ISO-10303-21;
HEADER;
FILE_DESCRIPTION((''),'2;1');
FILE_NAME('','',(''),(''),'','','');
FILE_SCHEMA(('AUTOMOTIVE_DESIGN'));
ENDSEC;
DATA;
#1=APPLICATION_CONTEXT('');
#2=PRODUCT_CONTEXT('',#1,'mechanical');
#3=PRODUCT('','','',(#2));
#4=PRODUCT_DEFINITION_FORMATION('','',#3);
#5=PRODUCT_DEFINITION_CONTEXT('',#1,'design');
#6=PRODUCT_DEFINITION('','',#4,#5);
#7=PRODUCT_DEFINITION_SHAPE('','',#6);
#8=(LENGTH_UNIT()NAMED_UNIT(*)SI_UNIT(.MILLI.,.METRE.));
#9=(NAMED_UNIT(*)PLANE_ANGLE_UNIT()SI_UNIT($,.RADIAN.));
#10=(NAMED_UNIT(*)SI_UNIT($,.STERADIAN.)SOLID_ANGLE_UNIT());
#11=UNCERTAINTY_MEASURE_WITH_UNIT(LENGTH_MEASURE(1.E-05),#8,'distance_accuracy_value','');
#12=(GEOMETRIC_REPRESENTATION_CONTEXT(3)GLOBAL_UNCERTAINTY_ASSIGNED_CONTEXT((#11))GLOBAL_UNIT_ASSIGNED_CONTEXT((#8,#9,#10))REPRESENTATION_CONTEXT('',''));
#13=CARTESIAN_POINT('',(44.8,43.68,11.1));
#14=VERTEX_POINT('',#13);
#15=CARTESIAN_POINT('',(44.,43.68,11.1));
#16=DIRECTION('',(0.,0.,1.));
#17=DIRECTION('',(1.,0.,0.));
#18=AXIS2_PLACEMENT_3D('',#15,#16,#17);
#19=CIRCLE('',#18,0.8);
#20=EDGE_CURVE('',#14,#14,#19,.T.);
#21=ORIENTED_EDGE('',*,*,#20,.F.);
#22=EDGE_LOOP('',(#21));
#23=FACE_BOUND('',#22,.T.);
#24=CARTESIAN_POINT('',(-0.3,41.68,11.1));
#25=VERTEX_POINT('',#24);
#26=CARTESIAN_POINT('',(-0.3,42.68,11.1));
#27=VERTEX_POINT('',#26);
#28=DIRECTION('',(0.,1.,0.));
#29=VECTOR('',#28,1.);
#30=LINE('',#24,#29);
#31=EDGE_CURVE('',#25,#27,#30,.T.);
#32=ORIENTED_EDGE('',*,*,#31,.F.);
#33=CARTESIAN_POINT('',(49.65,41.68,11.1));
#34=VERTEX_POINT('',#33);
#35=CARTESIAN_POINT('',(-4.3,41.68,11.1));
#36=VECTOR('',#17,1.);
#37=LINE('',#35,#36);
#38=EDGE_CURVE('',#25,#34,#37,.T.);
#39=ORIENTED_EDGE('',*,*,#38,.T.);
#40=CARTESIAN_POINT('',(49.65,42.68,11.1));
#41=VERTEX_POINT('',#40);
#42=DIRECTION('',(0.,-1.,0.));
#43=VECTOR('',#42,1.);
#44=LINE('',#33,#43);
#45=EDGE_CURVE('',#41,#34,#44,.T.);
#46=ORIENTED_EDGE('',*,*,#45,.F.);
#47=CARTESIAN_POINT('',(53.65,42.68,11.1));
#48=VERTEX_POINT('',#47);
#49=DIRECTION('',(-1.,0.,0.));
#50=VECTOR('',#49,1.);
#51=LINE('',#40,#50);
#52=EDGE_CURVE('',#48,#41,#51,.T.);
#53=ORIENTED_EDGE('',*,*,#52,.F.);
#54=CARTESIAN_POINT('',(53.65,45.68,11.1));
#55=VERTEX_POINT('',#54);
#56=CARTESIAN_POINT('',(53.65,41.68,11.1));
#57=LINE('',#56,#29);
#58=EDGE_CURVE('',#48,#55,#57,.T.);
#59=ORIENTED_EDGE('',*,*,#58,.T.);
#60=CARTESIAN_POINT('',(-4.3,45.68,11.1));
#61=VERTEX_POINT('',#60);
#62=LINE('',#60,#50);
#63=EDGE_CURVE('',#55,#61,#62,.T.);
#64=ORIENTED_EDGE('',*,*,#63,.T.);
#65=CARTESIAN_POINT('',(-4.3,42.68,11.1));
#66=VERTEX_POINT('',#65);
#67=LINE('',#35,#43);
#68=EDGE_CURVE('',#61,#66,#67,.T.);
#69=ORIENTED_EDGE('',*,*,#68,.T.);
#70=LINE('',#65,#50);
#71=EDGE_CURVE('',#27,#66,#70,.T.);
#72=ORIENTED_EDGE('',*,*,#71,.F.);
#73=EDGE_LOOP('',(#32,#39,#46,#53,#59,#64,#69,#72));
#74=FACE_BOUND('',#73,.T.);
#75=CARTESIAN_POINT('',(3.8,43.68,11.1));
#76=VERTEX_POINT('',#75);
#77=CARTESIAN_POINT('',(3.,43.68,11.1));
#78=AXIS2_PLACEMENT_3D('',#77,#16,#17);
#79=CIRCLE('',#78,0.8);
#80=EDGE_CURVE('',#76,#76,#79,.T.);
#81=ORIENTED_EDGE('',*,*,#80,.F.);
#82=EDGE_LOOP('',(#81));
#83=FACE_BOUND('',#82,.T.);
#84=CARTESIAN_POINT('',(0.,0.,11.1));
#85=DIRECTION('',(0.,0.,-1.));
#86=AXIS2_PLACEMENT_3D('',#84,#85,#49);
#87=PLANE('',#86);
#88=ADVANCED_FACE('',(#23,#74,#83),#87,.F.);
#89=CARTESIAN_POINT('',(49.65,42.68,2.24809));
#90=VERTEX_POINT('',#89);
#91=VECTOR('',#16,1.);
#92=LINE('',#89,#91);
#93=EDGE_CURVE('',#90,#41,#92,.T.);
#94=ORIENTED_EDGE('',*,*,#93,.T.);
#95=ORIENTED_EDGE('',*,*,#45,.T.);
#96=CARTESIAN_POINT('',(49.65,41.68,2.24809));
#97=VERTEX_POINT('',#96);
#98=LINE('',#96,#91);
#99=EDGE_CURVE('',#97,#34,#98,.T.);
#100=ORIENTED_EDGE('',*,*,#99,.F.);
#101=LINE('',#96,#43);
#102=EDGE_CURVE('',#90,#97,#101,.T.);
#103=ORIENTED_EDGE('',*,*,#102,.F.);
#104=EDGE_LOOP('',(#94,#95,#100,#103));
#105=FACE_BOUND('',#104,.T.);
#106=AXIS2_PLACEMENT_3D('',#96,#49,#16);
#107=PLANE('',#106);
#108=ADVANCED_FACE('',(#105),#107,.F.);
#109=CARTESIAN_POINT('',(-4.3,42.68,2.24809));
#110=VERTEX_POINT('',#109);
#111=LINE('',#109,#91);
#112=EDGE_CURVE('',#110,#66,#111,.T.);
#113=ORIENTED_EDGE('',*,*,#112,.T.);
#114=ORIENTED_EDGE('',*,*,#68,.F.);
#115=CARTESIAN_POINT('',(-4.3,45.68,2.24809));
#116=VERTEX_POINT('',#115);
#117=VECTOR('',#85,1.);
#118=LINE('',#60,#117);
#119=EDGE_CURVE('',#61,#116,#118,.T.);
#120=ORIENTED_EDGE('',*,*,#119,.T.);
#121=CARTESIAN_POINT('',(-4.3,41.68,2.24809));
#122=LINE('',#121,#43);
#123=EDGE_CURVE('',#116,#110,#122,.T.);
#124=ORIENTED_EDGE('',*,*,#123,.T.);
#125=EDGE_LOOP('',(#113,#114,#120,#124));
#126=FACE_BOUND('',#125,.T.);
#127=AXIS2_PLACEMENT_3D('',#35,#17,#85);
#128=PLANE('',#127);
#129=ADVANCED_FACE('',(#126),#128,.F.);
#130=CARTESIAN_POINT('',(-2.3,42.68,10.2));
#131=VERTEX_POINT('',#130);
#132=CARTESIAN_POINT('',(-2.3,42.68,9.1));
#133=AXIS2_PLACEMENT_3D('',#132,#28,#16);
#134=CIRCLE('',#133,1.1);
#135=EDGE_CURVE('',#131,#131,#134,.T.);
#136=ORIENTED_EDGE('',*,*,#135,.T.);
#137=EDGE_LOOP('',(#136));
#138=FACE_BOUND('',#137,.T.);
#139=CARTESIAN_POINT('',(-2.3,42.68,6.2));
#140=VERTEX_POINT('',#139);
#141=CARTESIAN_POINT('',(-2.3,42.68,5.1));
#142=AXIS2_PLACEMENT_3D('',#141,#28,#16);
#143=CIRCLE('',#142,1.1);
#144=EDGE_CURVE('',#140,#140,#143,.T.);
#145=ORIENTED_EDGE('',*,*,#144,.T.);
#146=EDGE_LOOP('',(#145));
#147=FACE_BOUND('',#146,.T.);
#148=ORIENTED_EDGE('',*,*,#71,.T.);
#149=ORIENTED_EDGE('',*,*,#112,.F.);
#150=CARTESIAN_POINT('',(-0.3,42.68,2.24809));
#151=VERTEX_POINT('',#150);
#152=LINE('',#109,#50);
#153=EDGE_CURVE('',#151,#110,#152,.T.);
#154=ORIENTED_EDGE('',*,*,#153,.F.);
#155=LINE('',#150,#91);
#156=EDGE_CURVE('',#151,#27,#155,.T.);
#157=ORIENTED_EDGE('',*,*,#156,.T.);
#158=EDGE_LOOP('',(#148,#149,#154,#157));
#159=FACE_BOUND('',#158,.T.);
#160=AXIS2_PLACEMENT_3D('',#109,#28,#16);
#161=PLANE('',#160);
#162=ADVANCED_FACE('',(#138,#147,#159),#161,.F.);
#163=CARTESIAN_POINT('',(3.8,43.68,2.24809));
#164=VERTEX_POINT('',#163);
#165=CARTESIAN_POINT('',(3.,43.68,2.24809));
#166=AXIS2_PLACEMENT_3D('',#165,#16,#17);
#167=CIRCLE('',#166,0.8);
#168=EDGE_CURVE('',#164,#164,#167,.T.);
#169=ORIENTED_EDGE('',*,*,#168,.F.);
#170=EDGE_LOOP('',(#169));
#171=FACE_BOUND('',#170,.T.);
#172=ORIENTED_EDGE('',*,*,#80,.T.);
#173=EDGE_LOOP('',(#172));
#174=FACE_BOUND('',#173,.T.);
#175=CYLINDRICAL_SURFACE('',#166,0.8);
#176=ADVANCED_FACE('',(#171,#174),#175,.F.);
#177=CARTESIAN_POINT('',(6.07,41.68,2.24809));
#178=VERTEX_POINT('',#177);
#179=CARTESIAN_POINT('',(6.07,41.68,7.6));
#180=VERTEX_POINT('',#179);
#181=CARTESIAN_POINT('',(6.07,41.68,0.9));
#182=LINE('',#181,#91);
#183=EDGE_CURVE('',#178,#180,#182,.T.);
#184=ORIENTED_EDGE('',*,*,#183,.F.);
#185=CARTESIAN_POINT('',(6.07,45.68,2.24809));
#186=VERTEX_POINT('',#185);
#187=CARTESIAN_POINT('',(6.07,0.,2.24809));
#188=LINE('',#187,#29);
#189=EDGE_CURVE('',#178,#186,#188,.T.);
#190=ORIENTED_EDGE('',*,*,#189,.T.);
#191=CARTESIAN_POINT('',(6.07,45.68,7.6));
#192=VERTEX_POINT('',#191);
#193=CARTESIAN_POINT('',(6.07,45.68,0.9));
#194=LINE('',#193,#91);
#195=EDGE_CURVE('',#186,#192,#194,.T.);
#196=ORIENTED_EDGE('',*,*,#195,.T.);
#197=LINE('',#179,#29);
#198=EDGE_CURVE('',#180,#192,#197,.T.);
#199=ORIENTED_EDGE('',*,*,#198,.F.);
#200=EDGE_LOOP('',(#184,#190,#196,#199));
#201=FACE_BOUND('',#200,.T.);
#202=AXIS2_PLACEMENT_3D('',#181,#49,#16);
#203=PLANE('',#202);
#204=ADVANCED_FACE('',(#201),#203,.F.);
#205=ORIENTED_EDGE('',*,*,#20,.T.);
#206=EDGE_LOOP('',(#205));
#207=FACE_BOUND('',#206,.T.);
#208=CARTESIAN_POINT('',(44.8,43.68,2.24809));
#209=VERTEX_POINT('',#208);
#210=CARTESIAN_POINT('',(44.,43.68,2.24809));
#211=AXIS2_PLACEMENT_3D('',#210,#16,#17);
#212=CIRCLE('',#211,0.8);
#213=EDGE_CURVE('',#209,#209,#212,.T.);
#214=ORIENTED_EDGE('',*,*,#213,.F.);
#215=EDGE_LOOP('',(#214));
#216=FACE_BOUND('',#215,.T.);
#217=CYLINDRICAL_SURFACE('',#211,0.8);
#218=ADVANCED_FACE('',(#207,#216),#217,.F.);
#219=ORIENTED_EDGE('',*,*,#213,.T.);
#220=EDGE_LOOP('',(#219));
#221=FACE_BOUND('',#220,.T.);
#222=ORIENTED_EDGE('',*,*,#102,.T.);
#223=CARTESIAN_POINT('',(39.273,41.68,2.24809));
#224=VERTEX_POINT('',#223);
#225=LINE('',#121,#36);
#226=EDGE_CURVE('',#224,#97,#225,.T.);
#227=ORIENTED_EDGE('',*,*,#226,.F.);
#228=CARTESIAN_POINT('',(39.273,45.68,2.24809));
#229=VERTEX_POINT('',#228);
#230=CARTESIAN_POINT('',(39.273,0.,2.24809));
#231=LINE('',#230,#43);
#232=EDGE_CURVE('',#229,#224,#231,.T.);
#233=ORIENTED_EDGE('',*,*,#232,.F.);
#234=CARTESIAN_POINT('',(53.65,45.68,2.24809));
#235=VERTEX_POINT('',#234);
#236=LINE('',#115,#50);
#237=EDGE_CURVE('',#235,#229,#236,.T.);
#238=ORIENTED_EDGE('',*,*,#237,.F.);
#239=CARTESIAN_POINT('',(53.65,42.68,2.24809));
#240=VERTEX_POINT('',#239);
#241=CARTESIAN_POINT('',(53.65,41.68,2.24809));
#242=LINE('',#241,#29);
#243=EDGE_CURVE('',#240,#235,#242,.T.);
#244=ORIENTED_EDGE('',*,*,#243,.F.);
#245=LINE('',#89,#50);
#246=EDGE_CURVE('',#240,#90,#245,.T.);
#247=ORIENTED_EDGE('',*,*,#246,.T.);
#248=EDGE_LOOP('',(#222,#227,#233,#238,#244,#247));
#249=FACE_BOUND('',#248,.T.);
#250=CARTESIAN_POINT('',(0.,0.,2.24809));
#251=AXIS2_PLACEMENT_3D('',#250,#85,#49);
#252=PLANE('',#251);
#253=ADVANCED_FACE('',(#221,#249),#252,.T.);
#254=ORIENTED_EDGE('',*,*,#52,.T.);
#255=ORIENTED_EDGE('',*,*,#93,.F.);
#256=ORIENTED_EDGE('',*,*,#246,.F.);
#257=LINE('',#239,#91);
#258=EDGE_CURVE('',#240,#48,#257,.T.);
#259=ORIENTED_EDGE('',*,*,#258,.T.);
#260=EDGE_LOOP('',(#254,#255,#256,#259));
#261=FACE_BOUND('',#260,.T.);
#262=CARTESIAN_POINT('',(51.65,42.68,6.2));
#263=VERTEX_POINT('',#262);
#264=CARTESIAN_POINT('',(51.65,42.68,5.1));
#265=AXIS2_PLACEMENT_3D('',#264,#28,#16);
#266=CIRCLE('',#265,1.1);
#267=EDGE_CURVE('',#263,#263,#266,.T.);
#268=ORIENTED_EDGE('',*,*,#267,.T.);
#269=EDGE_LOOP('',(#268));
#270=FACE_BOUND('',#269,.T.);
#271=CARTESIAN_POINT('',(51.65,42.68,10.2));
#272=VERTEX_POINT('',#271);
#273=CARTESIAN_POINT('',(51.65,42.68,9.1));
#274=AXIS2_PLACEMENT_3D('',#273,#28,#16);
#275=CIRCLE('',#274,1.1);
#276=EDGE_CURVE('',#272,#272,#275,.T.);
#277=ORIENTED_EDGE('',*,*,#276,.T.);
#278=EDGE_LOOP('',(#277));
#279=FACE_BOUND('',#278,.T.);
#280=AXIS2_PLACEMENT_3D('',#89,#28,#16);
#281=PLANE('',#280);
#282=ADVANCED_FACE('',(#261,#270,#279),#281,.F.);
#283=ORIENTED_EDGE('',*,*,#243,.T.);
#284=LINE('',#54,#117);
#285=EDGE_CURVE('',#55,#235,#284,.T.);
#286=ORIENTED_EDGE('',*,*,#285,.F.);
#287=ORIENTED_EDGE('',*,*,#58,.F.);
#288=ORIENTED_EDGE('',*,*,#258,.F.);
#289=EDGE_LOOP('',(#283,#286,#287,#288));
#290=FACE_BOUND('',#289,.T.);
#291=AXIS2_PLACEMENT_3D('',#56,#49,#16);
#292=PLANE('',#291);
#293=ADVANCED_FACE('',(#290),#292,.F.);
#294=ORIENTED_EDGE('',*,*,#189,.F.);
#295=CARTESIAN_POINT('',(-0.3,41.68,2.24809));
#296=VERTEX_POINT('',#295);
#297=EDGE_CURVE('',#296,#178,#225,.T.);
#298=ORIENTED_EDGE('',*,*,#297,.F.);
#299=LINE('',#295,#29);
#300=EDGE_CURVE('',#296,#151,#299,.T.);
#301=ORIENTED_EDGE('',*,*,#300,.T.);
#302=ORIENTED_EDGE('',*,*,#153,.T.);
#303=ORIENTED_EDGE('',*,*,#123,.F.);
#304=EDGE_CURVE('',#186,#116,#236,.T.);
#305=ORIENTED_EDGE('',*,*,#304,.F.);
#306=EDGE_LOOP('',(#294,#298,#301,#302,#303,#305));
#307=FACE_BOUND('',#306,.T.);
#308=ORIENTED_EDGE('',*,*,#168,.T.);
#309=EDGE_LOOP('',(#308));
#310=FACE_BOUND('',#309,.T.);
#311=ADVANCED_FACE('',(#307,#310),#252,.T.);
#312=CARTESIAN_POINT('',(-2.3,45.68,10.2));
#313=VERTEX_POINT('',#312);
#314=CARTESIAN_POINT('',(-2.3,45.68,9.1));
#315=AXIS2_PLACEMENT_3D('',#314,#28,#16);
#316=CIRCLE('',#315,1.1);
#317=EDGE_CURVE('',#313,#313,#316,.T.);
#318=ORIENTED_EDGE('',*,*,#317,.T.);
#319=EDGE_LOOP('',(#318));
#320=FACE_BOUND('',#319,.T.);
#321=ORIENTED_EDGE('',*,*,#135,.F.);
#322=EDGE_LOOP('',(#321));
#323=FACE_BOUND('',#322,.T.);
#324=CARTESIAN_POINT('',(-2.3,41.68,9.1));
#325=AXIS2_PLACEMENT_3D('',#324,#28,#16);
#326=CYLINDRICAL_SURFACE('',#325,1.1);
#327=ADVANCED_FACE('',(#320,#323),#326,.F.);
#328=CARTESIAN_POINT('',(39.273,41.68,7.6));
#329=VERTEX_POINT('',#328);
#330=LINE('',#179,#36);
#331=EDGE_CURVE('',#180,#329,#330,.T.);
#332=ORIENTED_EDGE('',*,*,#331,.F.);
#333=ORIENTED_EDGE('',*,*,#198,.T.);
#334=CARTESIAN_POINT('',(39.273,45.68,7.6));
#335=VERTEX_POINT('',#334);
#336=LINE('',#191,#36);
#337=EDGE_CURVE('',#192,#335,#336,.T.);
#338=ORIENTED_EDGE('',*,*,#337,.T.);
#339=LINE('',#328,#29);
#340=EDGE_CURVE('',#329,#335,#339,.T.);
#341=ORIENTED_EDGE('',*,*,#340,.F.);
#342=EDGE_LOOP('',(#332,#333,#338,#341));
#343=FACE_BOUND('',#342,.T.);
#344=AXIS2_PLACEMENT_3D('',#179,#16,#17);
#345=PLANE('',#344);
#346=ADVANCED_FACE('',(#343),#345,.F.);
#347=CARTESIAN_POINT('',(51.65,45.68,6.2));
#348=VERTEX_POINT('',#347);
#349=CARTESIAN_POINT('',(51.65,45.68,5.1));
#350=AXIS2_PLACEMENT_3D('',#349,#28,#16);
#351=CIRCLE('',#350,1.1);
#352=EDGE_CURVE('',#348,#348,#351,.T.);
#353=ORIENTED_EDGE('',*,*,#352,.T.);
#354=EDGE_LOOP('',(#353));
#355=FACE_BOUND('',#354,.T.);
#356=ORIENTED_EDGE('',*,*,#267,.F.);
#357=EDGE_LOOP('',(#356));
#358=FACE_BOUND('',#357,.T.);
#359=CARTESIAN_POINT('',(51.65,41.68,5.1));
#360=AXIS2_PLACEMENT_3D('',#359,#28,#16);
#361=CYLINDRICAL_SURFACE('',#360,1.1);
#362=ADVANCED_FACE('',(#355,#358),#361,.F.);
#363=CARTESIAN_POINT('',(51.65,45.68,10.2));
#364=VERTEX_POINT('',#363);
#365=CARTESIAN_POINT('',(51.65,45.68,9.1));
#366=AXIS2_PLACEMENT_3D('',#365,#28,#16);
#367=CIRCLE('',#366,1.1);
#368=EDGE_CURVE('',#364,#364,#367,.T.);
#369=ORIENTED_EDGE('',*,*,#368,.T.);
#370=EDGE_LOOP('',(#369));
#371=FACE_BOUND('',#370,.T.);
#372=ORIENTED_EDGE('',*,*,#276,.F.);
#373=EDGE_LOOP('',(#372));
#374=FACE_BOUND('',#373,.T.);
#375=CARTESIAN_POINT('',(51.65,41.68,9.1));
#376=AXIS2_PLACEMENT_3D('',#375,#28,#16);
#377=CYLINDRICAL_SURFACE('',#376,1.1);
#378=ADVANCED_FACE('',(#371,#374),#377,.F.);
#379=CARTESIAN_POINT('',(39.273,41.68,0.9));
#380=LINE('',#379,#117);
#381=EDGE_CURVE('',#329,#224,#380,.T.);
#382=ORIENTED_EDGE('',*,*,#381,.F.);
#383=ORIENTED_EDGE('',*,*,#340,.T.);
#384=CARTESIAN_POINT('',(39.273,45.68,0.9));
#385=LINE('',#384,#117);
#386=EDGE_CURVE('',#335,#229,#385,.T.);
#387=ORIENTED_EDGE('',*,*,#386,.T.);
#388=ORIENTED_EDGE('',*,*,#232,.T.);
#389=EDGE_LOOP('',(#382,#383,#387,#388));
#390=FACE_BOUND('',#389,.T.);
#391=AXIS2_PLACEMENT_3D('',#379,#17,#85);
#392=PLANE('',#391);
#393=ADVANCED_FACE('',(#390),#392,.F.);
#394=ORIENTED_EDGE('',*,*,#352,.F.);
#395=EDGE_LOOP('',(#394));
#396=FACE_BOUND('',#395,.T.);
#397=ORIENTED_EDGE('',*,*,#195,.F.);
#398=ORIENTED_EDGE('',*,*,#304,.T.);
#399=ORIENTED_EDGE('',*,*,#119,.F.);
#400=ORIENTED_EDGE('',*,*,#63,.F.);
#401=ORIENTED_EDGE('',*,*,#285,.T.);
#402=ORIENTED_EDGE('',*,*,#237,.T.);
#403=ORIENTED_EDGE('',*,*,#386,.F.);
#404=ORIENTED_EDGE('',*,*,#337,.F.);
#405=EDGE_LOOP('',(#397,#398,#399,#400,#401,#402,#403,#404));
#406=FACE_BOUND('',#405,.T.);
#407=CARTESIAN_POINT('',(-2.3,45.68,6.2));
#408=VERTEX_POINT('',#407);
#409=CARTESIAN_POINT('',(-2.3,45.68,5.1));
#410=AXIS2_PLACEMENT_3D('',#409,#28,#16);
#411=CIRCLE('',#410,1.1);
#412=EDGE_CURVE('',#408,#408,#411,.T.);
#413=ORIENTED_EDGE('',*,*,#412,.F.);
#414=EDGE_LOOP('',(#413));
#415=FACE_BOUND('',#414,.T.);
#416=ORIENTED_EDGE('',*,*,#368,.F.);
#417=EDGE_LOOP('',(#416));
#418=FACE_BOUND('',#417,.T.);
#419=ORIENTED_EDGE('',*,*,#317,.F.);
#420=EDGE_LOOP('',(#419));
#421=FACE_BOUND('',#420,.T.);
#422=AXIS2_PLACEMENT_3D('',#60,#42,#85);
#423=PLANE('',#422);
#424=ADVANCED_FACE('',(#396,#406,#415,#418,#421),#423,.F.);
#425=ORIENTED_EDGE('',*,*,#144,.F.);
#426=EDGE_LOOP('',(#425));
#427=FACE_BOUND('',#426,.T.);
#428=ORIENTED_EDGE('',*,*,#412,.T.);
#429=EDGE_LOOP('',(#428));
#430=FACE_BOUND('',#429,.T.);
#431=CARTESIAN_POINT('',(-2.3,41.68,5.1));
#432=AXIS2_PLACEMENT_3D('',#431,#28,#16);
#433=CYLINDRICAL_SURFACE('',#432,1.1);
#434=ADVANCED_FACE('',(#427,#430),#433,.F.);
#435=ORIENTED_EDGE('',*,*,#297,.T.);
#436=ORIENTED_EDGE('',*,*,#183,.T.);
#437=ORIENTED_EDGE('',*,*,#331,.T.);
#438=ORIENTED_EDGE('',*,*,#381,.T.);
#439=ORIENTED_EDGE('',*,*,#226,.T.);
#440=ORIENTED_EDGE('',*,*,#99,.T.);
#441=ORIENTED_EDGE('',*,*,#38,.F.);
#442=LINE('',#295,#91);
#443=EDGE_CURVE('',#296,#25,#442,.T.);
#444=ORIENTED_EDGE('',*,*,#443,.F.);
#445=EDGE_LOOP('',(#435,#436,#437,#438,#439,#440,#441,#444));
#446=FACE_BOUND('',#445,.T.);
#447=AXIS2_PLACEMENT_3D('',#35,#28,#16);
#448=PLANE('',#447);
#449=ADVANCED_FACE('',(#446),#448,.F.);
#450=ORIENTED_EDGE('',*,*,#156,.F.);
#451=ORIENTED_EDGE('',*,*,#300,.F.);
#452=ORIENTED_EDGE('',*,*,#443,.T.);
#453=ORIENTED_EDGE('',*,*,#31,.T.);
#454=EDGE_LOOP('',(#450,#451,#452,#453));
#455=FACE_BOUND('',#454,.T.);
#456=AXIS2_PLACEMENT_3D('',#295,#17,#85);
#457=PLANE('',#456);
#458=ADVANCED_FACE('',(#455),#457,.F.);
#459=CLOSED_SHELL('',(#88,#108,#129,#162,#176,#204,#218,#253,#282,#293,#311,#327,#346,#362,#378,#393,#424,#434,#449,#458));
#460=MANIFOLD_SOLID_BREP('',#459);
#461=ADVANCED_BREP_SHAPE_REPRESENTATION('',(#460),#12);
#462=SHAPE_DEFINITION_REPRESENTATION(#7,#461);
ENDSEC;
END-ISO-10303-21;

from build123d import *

# Parameters (mm, degrees)
MAIN_STOCK_START                         = 2.248090434
SKETCH_1_W                               = 57.95
SKETCH_1_H                               = 4
MAIN_STOCK_DEPTH                         = 8.851909566
SKETCH_2_W                               = 4
SKETCH_2_H                               = 1
CORNER_LEFT_RECTANGULAR_NOTCH_4X1_DEPTH  = 8.851909566
SKETCH_3_W                               = 4
SKETCH_3_H                               = 1
CORNER_RIGHT_RECTANGULAR_NOTCH_4X1_DEPTH = 8.851909566
SKETCH_4_R                               = 0.8
FRAME_2XD1P6_THROUGH_DEPTH               = 72.016485431
SKETCH_5_W                               = 33.203
SKETCH_5_H                               = 6.7
MERGED_INTERFACE_WINDOW_33P203X6P7_DEPTH = 4
SKETCH_6_R                               = 1.1
CORNER_REAR_4XD2P2_THROUGH_DEPTH         = 55.932071689


with BuildPart() as part:
    # 草图1 → Main_Stock (new body)
    with BuildSketch(Plane.XY.offset(MAIN_STOCK_START)):
        with Locations((24.675, 43.68)):
            Rectangle(SKETCH_1_W, SKETCH_1_H)
    extrude(amount=MAIN_STOCK_DEPTH)

    # 草图2 → Corner_Left_Rectangular_Notch_4x1 (cut)
    with BuildSketch(Plane.XY.offset(11.1)):
        with Locations((-2.3, 42.18)):
            Rectangle(SKETCH_2_W, SKETCH_2_H)
    extrude(amount=-CORNER_LEFT_RECTANGULAR_NOTCH_4X1_DEPTH, mode=Mode.SUBTRACT)

    # 草图3 → Corner_Right_Rectangular_Notch_4x1 (cut)
    with BuildSketch(Plane.XY.offset(11.1)):
        with Locations((51.65, 42.18)):
            Rectangle(SKETCH_3_W, SKETCH_3_H)
    extrude(amount=-CORNER_RIGHT_RECTANGULAR_NOTCH_4X1_DEPTH, mode=Mode.SUBTRACT)

    # 草图4 → Frame_2xD1p6_Through (cut, through all)
    with BuildSketch(Plane.XY.offset(11.1)):
        with Locations((3, 43.68)):
            Circle(SKETCH_4_R)
        with Locations((44, 43.68)):
            Circle(SKETCH_4_R)
    extrude(amount=-FRAME_2XD1P6_THROUGH_DEPTH, mode=Mode.SUBTRACT)

    # 草图5 → Merged_Interface_Window_33p203x6p7 (cut)
    with BuildSketch(Plane(origin=(0, 45.68, 0), x_dir=(1, 0, 0), z_dir=(0, 1, 0))):
        with Locations((22.6715, -4.25)):
            Rectangle(SKETCH_5_W, SKETCH_5_H)
    extrude(amount=-MERGED_INTERFACE_WINDOW_33P203X6P7_DEPTH, mode=Mode.SUBTRACT)

    # 草图6 → Corner_Rear_4xD2p2_Through (cut, through all)
    with BuildSketch(Plane(origin=(0, 45.68, 0), x_dir=(1, 0, 0), z_dir=(0, 1, 0))):
        with Locations(Location((-2.3, -5.1, 0), (0, 0, 270))):
            Circle(SKETCH_6_R)
        with Locations(Location((-2.3, -9.1, 0), (0, 0, 270))):
            Circle(SKETCH_6_R)
        with Locations(Location((51.65, -5.1, 0), (0, 0, 270))):
            Circle(SKETCH_6_R)
        with Locations(Location((51.65, -9.1, 0), (0, 0, 270))):
            Circle(SKETCH_6_R)
    extrude(amount=-CORNER_REAR_4XD2P2_THROUGH_DEPTH, mode=Mode.SUBTRACT)


solid = part.part
